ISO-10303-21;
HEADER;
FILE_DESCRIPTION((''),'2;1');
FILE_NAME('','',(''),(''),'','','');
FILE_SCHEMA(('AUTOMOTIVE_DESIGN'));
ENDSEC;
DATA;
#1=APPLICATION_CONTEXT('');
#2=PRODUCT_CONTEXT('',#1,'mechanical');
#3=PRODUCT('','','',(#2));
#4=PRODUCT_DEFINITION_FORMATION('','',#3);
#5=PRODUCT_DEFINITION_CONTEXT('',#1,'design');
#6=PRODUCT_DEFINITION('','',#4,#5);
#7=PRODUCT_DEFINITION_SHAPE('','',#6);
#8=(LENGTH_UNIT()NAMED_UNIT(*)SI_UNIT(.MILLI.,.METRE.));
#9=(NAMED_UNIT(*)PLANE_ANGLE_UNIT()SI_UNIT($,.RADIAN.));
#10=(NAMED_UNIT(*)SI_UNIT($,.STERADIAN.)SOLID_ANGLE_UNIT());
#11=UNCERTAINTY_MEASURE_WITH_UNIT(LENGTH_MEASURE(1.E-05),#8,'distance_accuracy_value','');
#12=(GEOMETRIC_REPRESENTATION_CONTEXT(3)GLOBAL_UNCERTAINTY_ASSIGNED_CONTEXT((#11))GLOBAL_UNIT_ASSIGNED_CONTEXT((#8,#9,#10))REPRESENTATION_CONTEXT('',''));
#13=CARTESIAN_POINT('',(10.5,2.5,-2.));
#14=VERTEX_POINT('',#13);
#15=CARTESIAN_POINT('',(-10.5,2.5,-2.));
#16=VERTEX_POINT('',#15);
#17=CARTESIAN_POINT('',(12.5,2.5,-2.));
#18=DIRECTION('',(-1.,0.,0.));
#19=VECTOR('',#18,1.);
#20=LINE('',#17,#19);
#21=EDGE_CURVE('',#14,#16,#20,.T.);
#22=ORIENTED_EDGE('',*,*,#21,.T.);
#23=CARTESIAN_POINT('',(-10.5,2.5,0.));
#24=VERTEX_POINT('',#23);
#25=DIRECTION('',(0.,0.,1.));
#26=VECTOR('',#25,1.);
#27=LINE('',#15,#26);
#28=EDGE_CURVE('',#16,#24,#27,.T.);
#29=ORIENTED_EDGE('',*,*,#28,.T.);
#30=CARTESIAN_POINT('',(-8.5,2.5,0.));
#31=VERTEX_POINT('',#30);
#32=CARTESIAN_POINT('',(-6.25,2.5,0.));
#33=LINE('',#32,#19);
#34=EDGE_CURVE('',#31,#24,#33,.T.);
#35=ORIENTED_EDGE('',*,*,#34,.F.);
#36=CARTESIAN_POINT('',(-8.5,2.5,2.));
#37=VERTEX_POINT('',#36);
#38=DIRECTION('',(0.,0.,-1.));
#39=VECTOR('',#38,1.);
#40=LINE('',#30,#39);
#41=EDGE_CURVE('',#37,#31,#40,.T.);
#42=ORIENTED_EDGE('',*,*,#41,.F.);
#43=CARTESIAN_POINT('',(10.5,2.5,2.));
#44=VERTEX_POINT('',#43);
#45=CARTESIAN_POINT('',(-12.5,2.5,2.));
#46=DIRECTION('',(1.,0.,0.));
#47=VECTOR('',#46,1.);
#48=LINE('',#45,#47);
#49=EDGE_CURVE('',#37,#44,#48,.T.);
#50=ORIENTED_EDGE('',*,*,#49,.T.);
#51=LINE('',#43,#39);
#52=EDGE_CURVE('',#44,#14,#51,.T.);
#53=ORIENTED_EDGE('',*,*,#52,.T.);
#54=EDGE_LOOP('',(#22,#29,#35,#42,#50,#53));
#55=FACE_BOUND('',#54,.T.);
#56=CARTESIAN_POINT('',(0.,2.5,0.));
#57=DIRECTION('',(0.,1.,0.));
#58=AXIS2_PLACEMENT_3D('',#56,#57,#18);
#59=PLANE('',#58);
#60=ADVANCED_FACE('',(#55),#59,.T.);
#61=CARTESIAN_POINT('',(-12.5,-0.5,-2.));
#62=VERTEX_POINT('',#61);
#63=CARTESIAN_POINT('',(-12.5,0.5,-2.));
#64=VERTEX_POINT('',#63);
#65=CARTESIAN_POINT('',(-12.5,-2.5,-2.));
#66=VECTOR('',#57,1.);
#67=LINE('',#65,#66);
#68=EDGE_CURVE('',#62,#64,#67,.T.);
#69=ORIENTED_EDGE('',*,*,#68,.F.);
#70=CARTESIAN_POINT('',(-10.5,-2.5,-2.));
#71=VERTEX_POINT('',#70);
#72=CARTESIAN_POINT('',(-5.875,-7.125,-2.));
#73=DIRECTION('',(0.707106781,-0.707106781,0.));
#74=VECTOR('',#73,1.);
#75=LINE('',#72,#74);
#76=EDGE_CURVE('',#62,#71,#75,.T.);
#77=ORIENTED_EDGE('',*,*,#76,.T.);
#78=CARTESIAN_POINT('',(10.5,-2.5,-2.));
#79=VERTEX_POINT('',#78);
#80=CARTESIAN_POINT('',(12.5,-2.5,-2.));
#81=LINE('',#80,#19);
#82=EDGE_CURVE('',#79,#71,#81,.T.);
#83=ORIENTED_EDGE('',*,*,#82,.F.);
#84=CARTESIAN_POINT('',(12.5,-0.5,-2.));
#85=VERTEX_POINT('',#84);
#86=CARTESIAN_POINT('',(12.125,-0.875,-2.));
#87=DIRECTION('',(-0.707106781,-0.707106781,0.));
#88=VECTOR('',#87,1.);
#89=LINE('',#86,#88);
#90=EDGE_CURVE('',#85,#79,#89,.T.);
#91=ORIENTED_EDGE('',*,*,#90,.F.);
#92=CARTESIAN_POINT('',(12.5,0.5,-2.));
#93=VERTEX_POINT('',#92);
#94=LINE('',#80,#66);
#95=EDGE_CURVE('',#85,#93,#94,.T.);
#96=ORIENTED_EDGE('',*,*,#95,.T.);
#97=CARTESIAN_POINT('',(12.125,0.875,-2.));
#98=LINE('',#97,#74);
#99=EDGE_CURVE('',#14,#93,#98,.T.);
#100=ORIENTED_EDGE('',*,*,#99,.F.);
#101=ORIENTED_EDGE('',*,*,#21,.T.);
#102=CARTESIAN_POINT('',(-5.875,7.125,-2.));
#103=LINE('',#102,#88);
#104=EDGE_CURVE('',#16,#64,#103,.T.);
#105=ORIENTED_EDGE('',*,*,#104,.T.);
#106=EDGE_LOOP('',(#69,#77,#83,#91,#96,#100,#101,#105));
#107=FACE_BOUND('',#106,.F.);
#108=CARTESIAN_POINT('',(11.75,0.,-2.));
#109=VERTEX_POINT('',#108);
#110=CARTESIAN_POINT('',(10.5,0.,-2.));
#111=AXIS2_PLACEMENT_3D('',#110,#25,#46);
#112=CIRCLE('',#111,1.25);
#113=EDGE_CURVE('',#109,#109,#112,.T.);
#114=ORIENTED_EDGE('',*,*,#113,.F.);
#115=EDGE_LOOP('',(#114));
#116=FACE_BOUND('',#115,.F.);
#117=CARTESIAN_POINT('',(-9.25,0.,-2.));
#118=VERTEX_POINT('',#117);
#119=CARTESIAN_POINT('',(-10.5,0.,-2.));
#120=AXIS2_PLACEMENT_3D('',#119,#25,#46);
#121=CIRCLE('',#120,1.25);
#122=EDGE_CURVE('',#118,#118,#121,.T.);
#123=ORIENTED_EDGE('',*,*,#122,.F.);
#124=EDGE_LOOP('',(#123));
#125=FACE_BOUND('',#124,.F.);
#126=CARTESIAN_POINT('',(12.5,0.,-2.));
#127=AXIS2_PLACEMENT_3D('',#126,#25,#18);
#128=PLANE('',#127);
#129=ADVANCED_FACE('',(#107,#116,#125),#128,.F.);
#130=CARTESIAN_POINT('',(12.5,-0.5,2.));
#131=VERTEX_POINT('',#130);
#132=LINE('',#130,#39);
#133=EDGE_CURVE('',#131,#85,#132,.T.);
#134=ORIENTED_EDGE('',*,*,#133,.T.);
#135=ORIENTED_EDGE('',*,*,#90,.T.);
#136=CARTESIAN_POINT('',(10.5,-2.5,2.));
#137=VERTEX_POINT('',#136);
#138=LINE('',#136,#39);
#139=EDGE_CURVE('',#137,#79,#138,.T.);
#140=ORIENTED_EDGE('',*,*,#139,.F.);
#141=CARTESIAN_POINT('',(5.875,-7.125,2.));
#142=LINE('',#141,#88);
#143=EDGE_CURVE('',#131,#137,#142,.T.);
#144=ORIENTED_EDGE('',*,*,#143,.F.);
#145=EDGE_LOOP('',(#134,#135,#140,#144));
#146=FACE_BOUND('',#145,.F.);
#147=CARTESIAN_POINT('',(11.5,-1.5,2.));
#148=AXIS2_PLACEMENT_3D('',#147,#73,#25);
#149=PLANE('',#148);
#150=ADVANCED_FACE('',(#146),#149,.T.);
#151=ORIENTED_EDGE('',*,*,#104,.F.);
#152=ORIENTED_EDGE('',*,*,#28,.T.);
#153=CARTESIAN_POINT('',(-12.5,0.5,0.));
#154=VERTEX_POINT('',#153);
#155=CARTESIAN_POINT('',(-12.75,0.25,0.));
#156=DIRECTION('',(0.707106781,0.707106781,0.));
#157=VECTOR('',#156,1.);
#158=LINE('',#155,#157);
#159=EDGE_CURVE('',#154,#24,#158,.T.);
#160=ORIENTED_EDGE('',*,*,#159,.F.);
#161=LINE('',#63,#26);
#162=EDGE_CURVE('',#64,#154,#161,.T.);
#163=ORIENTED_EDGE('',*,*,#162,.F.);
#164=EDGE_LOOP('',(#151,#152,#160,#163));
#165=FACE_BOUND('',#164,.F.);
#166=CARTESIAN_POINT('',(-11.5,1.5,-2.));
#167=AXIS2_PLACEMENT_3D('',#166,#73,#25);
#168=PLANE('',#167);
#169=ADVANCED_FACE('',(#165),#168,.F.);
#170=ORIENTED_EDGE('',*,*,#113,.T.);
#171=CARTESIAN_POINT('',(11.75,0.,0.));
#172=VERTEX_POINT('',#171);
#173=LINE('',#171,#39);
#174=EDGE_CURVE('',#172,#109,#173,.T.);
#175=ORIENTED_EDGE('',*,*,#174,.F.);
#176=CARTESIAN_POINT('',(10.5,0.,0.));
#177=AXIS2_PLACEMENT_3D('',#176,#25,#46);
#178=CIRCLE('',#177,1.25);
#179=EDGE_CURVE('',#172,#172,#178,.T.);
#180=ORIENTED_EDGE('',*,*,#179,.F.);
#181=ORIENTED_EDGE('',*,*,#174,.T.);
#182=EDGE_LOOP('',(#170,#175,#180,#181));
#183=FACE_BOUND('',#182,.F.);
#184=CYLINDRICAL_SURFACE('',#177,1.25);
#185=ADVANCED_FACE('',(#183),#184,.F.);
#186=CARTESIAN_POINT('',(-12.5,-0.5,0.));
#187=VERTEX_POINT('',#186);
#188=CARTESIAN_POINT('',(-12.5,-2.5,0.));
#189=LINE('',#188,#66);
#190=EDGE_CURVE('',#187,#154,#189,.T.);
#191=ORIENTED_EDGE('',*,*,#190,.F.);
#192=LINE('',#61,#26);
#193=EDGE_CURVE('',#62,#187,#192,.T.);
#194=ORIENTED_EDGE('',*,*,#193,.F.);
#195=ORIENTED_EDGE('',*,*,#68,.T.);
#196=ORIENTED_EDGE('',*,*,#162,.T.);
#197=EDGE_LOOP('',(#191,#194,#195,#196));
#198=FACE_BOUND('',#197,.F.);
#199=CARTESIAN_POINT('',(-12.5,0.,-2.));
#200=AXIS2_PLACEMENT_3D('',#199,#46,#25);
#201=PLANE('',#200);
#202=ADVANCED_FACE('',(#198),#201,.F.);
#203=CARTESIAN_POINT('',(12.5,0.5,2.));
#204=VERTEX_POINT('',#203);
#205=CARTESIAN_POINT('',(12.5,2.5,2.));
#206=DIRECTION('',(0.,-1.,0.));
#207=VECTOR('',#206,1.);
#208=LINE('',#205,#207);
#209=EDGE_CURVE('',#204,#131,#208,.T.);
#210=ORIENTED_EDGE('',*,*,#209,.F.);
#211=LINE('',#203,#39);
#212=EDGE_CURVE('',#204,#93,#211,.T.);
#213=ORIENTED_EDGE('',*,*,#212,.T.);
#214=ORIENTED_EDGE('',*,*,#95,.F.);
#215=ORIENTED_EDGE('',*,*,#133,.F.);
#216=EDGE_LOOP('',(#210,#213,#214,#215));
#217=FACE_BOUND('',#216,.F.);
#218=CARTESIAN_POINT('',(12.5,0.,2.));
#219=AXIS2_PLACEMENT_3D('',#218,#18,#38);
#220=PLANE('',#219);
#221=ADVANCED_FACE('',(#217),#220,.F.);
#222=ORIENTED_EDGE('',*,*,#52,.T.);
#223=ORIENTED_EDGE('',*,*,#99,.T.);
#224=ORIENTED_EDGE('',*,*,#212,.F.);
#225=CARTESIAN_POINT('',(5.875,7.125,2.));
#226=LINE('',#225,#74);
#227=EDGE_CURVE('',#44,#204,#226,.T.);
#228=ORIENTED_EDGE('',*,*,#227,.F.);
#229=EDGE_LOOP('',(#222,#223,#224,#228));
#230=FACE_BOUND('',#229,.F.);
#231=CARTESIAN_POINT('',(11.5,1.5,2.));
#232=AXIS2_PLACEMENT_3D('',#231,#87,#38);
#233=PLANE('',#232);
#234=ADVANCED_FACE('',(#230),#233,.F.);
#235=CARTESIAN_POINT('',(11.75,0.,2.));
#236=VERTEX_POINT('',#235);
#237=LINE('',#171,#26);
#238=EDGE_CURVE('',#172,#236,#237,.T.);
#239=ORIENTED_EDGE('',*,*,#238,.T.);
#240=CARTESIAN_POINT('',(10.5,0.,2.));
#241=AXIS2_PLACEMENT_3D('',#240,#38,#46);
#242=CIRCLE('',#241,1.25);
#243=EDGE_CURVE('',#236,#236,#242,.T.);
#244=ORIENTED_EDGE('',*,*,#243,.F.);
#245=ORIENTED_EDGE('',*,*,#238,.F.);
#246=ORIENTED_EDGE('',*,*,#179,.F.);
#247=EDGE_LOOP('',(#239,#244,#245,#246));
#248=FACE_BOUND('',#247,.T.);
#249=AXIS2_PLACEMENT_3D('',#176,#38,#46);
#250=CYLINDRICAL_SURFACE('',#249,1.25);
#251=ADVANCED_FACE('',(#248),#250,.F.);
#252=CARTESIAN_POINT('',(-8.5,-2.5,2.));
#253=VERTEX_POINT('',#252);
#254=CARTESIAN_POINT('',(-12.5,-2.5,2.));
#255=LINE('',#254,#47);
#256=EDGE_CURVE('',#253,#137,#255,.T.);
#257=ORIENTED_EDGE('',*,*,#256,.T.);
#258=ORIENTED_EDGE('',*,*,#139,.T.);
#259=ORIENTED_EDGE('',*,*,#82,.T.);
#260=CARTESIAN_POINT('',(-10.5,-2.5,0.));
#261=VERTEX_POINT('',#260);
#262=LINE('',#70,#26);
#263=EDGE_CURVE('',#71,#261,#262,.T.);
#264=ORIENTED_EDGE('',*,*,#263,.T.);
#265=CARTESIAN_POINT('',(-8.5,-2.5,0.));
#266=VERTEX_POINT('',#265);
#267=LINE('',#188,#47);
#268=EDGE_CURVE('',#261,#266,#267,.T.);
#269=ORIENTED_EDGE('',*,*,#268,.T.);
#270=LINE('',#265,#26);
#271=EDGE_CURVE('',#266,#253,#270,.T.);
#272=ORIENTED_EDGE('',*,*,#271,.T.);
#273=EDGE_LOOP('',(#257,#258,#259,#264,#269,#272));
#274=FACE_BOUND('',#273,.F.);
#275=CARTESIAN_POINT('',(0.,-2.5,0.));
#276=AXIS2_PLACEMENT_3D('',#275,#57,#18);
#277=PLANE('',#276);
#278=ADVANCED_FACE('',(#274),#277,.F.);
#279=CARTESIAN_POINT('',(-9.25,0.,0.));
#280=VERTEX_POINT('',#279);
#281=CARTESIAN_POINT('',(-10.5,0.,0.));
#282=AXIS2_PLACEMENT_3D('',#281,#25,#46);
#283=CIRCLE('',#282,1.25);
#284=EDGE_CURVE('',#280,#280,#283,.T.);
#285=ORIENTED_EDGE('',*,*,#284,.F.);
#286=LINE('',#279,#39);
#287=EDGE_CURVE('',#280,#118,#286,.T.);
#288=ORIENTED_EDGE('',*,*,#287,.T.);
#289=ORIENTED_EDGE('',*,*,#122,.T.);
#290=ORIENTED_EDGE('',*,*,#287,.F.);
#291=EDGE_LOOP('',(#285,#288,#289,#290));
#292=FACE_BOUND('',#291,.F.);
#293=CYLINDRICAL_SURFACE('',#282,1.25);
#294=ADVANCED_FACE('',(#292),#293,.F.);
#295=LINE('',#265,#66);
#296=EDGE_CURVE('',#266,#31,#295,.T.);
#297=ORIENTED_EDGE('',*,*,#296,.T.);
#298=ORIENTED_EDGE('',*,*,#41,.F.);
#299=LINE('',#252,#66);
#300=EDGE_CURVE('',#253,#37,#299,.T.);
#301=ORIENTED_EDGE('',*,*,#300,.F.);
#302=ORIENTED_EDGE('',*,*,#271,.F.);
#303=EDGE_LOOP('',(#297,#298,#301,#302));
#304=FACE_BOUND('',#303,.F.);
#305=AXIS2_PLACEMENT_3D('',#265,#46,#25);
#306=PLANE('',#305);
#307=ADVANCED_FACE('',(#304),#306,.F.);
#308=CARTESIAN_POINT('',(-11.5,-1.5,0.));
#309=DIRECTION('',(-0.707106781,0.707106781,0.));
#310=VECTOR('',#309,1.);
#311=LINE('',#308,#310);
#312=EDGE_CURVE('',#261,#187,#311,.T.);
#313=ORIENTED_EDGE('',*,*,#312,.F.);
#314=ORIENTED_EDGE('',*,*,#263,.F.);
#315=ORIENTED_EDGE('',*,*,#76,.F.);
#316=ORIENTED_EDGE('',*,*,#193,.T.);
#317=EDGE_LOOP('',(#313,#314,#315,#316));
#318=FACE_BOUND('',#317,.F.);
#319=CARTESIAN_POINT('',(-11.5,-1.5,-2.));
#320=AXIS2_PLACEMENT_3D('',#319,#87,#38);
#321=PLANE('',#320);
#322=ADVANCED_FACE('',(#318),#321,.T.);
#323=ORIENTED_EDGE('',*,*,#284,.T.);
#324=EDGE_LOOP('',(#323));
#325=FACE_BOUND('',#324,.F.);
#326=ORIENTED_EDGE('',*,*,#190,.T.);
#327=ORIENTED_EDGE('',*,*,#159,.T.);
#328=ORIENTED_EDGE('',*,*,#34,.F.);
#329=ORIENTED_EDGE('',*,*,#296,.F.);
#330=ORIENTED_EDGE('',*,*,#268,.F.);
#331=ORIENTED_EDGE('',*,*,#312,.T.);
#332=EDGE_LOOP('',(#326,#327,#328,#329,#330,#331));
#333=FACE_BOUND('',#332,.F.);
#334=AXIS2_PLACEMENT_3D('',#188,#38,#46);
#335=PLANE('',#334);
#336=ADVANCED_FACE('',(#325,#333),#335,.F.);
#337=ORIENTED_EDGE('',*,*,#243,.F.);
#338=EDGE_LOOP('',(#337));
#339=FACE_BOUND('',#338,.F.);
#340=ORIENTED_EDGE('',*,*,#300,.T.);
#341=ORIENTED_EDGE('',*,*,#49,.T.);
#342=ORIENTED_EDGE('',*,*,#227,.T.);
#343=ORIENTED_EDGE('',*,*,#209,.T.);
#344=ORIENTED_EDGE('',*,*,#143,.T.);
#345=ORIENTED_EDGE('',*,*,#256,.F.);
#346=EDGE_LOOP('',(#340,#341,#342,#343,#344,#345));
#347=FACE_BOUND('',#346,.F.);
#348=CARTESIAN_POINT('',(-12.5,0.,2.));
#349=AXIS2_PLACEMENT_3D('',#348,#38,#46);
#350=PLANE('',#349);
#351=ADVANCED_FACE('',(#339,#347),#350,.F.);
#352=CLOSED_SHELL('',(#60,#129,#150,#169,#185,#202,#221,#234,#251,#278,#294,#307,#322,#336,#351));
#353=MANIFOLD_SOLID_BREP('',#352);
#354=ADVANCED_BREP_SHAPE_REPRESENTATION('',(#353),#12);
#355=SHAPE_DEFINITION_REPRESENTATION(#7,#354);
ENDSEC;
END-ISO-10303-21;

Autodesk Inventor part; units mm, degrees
ref_plane "YZ Plane" through (0, 0, 0) normal (1, 0, 0) x (0, 1, 0)
ref_plane "XZ Plane" through (0, 0, 0) normal (0, 1, 0) x (-1, 0, 0)
ref_plane "XY Plane" through (0, 0, 0) normal (0, 0, 1) x (1, 0, 0)
sketch "スケッチ1" plane through (0, 0, 0) normal (0, 1, 0) x (-1, 0, 0)
  line L0 (-12.5, -2) -> (12.5, -2)
  line L1 (12.5, -2) -> (12.5, 2)
  line L2 (12.5, 2) -> (-12.5, 2)
  line L3 (-12.5, 2) -> (-12.5, -2)
  line L4 (-12.5, -2) -> (12.5, 2) construction
  line L5 (12.5, -2) -> (-12.5, 2) construction
  point P0 (0, 0)
  dimension "d0" = 25
  dimension "d1" = 4
extrude "押し出し1" add sketch "スケッチ1" along normal mid plane 5
sketch "スケッチ2" plane through (0, 0, 0) normal (0, 0, 1) x (1, 0, 0)
  circle A0 centre (-10.5, 0) radius 1.25
  line L0 (-12.5, -2.5) -> (-12.5, 2.5) projected
  circle A1 centre (10.5, 0) radius 1.25
  line L1 (12.5, -2.5) -> (12.5, 2.5) projected
  point P0 (0, 0)
  dimension "d4" = 2.5
  dimension "d5" = 2
  dimension "d14" = 2.5
  dimension "d15" = 2
extrude "押し出し2" cut sketch "スケッチ2" along normal mid plane 5 contours A0
chamfer "面取り1" distance 2 angle 45 1 edges at (-12.5, 2.5, 0)
chamfer "面取り2" distance 2 angle 45 1 edges at (-12.5, -2.5, 0)
sketch "スケッチ3" plane through (0, 0, 0) normal (0, 0, 1) x (1, 0, 0)
  circle A0 centre (10.5, 0) radius 1.25
  line L0 (12.5, -2.5) -> (12.5, 2.5) projected
  point P0 (0, 0)
  dimension "d16" = 2.5
  dimension "d17" = 2
extrude "押し出し3" cut sketch "スケッチ3" along normal mid plane 5
chamfer "面取り3" distance 2 angle 45 1 edges at (12.5, 2.5, 0)
chamfer "面取り4" distance 2 angle 45 1 edges at (12.5, -2.5, 0)
sketch "スケッチ4" plane through (0, -2.5, 0) normal (0, -1, 0) x (1, 0, 0)
  line L0 (-12.5, -2) -> (-12.5, 2) projected
  line L1 (-12.5, 0) -> (-8.5, 0)
  line L2 (-8.5, 0) -> (-8.5, 2)
  line L3 (-8.5, 2) -> (-12.5, 2)
  line L4 (-12.5, 2) -> (-12.5, 0)
  point P0 (0, 0)
  dimension "d26" = 4
extrude "押し出し4" cut sketch "スケッチ4" against normal blind 10
properties part number "promo_arm1'"
